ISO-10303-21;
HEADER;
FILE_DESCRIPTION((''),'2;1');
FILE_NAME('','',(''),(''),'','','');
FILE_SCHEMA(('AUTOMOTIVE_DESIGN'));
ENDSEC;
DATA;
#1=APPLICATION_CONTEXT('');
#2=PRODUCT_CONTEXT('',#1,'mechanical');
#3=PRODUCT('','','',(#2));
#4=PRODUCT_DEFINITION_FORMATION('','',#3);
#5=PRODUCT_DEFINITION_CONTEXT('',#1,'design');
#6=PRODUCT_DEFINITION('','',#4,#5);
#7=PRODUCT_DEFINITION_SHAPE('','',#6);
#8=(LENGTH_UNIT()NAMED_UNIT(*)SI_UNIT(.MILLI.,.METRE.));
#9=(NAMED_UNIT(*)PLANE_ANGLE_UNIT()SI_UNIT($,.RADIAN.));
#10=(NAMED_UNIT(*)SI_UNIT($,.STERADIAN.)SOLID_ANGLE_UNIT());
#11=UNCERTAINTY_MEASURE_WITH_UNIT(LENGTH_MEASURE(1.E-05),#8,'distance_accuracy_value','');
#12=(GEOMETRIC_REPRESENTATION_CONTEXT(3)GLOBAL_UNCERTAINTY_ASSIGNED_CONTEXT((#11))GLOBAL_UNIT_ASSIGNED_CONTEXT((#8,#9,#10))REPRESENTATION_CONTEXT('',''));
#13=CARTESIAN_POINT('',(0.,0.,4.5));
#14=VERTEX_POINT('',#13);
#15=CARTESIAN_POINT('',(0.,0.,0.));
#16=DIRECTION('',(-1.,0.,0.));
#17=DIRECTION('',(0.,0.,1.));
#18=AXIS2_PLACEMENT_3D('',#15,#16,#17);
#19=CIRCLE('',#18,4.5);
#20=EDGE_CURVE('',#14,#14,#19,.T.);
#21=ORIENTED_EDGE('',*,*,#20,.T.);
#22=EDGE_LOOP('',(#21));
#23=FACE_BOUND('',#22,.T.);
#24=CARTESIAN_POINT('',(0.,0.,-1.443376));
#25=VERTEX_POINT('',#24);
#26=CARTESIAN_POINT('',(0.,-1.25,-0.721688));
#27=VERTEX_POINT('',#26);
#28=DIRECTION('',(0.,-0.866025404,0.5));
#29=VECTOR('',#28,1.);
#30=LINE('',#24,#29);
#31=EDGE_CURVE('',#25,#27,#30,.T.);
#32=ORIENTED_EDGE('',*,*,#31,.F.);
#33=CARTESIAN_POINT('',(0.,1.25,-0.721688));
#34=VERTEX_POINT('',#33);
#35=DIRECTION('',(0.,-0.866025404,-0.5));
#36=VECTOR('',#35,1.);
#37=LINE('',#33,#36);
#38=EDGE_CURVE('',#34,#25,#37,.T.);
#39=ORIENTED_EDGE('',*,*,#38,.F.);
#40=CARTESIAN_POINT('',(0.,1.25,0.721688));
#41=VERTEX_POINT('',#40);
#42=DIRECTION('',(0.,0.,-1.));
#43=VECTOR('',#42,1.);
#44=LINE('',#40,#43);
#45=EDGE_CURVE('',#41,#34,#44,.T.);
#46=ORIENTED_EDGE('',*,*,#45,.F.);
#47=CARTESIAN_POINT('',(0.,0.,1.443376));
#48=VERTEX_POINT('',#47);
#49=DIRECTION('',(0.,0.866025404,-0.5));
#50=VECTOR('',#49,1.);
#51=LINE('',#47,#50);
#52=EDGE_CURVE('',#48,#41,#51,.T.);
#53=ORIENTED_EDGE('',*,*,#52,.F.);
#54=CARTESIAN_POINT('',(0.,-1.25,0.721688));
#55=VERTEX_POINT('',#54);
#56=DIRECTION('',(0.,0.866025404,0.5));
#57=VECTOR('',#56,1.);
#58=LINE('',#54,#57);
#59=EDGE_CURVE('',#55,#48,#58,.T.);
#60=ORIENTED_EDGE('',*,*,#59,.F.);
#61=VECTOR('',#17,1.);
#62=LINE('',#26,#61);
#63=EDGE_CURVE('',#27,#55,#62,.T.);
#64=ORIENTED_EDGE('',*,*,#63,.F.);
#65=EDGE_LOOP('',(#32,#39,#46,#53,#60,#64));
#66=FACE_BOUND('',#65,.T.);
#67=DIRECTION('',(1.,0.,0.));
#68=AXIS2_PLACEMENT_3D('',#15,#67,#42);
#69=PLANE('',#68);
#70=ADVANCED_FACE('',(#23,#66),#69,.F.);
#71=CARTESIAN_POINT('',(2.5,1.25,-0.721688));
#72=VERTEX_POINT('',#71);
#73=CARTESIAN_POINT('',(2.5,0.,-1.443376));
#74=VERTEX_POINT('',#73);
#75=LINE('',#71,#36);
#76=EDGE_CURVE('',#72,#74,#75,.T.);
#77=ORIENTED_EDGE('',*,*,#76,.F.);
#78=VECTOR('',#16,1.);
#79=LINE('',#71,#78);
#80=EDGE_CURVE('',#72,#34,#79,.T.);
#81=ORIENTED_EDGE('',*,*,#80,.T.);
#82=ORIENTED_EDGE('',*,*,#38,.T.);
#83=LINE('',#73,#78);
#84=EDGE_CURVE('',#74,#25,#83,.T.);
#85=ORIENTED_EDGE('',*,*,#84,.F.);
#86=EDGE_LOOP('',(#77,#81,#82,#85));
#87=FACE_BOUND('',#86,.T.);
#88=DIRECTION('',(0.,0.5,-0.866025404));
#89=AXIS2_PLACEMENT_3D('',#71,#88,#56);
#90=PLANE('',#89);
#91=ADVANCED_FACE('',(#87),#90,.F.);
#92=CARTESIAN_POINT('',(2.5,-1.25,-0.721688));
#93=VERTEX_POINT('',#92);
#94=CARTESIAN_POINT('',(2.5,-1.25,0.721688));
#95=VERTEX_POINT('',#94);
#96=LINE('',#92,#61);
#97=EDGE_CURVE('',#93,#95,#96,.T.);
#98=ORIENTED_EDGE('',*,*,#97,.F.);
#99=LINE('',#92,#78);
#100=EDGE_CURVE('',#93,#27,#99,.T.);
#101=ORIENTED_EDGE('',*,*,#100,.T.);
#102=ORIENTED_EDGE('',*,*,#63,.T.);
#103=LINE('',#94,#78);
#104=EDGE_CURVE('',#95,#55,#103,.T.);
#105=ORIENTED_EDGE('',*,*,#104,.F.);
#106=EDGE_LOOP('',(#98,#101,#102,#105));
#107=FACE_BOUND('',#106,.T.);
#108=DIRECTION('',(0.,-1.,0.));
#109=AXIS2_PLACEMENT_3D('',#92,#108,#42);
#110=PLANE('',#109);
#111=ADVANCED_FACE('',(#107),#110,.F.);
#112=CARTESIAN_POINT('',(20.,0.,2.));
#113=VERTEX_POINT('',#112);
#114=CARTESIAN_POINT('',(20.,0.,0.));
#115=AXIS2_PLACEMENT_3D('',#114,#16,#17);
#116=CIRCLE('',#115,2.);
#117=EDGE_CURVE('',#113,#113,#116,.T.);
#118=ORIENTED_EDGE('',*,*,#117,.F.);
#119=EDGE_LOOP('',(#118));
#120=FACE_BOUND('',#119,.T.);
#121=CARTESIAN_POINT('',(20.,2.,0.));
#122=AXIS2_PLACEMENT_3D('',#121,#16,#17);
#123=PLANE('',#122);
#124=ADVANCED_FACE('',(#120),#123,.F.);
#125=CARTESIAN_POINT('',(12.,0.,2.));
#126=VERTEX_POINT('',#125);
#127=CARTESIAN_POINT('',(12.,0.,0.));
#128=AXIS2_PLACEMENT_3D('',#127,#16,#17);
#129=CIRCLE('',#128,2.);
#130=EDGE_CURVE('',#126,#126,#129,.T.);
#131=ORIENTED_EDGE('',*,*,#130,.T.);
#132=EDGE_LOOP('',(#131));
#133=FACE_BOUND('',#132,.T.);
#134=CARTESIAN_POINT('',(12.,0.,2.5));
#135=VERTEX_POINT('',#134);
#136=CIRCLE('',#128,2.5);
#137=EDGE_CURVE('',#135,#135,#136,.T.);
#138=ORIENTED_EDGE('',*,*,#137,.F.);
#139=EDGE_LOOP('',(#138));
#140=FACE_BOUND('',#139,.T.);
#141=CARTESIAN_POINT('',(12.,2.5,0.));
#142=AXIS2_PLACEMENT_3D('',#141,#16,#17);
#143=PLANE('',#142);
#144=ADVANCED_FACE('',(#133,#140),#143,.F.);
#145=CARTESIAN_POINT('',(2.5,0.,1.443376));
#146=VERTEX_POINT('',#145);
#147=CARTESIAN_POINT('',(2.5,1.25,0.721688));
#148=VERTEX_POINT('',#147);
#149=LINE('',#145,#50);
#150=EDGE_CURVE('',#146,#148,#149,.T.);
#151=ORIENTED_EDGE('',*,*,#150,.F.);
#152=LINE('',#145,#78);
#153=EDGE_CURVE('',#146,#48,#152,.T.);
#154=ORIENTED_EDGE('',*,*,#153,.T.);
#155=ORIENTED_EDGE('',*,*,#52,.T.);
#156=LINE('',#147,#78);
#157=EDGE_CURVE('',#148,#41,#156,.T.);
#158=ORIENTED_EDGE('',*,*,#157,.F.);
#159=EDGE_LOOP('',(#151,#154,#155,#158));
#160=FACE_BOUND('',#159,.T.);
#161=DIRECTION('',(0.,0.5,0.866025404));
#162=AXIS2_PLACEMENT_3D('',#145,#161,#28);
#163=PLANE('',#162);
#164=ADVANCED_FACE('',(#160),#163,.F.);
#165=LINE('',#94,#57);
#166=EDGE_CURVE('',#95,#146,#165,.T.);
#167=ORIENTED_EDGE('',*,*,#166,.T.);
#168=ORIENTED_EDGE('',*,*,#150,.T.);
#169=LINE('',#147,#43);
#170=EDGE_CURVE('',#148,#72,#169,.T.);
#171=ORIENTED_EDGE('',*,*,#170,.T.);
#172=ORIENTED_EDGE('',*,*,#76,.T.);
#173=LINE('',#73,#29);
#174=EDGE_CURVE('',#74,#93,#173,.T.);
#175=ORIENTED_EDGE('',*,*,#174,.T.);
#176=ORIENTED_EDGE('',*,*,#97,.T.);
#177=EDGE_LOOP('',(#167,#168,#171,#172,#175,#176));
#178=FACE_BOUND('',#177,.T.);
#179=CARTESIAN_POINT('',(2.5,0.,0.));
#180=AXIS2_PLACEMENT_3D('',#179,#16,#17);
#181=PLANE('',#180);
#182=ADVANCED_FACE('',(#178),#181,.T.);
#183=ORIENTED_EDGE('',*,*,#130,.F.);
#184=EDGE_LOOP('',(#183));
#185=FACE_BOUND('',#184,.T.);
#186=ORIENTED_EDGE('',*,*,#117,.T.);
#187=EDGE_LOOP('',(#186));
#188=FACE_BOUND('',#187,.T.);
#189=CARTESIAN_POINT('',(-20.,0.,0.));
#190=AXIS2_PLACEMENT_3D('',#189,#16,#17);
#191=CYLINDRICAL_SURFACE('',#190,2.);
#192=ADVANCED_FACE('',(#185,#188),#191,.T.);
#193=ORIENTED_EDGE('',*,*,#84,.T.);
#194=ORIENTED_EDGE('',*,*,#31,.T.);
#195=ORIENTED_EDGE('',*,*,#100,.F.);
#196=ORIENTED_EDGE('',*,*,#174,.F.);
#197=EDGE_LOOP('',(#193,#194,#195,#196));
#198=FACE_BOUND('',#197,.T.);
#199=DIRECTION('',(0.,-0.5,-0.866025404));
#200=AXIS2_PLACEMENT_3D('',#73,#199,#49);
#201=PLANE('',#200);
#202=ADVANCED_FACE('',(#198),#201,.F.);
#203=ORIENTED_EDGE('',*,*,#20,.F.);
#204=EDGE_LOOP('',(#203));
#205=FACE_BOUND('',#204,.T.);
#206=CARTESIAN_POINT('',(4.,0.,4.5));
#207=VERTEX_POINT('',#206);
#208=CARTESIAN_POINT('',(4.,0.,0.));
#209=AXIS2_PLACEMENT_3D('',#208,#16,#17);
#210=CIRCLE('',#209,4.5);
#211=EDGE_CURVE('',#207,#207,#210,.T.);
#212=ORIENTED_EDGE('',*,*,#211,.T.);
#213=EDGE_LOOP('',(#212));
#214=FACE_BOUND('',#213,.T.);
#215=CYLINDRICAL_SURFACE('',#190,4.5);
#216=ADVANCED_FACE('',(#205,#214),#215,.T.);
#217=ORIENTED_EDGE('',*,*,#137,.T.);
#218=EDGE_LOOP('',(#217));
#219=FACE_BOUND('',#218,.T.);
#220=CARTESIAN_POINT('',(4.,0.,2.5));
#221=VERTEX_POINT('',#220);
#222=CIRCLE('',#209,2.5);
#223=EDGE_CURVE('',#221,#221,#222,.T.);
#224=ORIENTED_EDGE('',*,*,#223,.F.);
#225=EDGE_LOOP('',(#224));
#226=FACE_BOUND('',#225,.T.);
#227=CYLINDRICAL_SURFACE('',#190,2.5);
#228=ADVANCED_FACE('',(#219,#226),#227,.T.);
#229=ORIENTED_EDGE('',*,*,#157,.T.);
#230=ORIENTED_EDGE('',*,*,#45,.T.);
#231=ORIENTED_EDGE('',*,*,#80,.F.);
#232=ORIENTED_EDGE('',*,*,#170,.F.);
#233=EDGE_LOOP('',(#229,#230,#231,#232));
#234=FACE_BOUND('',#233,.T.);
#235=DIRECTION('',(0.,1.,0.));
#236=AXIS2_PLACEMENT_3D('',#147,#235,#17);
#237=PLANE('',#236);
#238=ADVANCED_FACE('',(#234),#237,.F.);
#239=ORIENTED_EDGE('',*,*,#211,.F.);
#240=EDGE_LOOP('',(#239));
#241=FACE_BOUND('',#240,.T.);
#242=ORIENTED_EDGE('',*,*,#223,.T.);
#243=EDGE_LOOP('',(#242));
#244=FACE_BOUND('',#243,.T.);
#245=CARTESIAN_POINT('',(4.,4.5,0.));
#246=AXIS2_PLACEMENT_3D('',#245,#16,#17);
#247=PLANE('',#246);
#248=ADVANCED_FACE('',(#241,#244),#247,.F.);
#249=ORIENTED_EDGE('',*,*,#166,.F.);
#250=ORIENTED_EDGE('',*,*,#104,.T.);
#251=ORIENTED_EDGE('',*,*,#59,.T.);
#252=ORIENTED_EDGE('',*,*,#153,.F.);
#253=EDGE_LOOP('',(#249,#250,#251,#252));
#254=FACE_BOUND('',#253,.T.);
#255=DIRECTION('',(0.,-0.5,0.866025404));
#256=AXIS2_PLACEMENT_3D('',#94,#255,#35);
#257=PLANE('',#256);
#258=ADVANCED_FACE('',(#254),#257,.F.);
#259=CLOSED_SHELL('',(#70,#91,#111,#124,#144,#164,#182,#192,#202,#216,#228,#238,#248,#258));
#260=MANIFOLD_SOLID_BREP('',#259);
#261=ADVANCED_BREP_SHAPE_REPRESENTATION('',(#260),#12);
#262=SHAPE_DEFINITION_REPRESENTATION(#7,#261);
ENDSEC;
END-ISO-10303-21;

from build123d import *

# Parameters (mm, degrees)
CUT_EXTRUDE1_DEPTH = 2.5


with BuildPart() as part:
    # Sketch1 → Revolve1 (revolve)
    with BuildSketch(Plane.XY, mode=Mode.PRIVATE) as revolve1_sk:
        Polygon((4, 4.5), (0, 4.5), (0, 0), (20, 0), (20, 2), (12, 2), (12, 2.5), (4, 2.5), align=None)
    revolve(revolve1_sk.sketch.rotate(Axis((-20, 0, 0), (1, 0, 0)), 90), axis=Axis((-20, 0, 0), (1, 0, 0)))

    # Sketch2 → Cut-Extrude1 (cut)
    with BuildSketch(Plane.ZY):
        Polygon((1.443375673, 0), (0.721687836, 1.25), (-0.721687836, 1.25), (-1.443375673, 0), (-0.721687836, -1.25), (0.721687836, -1.25), align=None)
    extrude(amount=-CUT_EXTRUDE1_DEPTH, mode=Mode.SUBTRACT)


solid = part.part
